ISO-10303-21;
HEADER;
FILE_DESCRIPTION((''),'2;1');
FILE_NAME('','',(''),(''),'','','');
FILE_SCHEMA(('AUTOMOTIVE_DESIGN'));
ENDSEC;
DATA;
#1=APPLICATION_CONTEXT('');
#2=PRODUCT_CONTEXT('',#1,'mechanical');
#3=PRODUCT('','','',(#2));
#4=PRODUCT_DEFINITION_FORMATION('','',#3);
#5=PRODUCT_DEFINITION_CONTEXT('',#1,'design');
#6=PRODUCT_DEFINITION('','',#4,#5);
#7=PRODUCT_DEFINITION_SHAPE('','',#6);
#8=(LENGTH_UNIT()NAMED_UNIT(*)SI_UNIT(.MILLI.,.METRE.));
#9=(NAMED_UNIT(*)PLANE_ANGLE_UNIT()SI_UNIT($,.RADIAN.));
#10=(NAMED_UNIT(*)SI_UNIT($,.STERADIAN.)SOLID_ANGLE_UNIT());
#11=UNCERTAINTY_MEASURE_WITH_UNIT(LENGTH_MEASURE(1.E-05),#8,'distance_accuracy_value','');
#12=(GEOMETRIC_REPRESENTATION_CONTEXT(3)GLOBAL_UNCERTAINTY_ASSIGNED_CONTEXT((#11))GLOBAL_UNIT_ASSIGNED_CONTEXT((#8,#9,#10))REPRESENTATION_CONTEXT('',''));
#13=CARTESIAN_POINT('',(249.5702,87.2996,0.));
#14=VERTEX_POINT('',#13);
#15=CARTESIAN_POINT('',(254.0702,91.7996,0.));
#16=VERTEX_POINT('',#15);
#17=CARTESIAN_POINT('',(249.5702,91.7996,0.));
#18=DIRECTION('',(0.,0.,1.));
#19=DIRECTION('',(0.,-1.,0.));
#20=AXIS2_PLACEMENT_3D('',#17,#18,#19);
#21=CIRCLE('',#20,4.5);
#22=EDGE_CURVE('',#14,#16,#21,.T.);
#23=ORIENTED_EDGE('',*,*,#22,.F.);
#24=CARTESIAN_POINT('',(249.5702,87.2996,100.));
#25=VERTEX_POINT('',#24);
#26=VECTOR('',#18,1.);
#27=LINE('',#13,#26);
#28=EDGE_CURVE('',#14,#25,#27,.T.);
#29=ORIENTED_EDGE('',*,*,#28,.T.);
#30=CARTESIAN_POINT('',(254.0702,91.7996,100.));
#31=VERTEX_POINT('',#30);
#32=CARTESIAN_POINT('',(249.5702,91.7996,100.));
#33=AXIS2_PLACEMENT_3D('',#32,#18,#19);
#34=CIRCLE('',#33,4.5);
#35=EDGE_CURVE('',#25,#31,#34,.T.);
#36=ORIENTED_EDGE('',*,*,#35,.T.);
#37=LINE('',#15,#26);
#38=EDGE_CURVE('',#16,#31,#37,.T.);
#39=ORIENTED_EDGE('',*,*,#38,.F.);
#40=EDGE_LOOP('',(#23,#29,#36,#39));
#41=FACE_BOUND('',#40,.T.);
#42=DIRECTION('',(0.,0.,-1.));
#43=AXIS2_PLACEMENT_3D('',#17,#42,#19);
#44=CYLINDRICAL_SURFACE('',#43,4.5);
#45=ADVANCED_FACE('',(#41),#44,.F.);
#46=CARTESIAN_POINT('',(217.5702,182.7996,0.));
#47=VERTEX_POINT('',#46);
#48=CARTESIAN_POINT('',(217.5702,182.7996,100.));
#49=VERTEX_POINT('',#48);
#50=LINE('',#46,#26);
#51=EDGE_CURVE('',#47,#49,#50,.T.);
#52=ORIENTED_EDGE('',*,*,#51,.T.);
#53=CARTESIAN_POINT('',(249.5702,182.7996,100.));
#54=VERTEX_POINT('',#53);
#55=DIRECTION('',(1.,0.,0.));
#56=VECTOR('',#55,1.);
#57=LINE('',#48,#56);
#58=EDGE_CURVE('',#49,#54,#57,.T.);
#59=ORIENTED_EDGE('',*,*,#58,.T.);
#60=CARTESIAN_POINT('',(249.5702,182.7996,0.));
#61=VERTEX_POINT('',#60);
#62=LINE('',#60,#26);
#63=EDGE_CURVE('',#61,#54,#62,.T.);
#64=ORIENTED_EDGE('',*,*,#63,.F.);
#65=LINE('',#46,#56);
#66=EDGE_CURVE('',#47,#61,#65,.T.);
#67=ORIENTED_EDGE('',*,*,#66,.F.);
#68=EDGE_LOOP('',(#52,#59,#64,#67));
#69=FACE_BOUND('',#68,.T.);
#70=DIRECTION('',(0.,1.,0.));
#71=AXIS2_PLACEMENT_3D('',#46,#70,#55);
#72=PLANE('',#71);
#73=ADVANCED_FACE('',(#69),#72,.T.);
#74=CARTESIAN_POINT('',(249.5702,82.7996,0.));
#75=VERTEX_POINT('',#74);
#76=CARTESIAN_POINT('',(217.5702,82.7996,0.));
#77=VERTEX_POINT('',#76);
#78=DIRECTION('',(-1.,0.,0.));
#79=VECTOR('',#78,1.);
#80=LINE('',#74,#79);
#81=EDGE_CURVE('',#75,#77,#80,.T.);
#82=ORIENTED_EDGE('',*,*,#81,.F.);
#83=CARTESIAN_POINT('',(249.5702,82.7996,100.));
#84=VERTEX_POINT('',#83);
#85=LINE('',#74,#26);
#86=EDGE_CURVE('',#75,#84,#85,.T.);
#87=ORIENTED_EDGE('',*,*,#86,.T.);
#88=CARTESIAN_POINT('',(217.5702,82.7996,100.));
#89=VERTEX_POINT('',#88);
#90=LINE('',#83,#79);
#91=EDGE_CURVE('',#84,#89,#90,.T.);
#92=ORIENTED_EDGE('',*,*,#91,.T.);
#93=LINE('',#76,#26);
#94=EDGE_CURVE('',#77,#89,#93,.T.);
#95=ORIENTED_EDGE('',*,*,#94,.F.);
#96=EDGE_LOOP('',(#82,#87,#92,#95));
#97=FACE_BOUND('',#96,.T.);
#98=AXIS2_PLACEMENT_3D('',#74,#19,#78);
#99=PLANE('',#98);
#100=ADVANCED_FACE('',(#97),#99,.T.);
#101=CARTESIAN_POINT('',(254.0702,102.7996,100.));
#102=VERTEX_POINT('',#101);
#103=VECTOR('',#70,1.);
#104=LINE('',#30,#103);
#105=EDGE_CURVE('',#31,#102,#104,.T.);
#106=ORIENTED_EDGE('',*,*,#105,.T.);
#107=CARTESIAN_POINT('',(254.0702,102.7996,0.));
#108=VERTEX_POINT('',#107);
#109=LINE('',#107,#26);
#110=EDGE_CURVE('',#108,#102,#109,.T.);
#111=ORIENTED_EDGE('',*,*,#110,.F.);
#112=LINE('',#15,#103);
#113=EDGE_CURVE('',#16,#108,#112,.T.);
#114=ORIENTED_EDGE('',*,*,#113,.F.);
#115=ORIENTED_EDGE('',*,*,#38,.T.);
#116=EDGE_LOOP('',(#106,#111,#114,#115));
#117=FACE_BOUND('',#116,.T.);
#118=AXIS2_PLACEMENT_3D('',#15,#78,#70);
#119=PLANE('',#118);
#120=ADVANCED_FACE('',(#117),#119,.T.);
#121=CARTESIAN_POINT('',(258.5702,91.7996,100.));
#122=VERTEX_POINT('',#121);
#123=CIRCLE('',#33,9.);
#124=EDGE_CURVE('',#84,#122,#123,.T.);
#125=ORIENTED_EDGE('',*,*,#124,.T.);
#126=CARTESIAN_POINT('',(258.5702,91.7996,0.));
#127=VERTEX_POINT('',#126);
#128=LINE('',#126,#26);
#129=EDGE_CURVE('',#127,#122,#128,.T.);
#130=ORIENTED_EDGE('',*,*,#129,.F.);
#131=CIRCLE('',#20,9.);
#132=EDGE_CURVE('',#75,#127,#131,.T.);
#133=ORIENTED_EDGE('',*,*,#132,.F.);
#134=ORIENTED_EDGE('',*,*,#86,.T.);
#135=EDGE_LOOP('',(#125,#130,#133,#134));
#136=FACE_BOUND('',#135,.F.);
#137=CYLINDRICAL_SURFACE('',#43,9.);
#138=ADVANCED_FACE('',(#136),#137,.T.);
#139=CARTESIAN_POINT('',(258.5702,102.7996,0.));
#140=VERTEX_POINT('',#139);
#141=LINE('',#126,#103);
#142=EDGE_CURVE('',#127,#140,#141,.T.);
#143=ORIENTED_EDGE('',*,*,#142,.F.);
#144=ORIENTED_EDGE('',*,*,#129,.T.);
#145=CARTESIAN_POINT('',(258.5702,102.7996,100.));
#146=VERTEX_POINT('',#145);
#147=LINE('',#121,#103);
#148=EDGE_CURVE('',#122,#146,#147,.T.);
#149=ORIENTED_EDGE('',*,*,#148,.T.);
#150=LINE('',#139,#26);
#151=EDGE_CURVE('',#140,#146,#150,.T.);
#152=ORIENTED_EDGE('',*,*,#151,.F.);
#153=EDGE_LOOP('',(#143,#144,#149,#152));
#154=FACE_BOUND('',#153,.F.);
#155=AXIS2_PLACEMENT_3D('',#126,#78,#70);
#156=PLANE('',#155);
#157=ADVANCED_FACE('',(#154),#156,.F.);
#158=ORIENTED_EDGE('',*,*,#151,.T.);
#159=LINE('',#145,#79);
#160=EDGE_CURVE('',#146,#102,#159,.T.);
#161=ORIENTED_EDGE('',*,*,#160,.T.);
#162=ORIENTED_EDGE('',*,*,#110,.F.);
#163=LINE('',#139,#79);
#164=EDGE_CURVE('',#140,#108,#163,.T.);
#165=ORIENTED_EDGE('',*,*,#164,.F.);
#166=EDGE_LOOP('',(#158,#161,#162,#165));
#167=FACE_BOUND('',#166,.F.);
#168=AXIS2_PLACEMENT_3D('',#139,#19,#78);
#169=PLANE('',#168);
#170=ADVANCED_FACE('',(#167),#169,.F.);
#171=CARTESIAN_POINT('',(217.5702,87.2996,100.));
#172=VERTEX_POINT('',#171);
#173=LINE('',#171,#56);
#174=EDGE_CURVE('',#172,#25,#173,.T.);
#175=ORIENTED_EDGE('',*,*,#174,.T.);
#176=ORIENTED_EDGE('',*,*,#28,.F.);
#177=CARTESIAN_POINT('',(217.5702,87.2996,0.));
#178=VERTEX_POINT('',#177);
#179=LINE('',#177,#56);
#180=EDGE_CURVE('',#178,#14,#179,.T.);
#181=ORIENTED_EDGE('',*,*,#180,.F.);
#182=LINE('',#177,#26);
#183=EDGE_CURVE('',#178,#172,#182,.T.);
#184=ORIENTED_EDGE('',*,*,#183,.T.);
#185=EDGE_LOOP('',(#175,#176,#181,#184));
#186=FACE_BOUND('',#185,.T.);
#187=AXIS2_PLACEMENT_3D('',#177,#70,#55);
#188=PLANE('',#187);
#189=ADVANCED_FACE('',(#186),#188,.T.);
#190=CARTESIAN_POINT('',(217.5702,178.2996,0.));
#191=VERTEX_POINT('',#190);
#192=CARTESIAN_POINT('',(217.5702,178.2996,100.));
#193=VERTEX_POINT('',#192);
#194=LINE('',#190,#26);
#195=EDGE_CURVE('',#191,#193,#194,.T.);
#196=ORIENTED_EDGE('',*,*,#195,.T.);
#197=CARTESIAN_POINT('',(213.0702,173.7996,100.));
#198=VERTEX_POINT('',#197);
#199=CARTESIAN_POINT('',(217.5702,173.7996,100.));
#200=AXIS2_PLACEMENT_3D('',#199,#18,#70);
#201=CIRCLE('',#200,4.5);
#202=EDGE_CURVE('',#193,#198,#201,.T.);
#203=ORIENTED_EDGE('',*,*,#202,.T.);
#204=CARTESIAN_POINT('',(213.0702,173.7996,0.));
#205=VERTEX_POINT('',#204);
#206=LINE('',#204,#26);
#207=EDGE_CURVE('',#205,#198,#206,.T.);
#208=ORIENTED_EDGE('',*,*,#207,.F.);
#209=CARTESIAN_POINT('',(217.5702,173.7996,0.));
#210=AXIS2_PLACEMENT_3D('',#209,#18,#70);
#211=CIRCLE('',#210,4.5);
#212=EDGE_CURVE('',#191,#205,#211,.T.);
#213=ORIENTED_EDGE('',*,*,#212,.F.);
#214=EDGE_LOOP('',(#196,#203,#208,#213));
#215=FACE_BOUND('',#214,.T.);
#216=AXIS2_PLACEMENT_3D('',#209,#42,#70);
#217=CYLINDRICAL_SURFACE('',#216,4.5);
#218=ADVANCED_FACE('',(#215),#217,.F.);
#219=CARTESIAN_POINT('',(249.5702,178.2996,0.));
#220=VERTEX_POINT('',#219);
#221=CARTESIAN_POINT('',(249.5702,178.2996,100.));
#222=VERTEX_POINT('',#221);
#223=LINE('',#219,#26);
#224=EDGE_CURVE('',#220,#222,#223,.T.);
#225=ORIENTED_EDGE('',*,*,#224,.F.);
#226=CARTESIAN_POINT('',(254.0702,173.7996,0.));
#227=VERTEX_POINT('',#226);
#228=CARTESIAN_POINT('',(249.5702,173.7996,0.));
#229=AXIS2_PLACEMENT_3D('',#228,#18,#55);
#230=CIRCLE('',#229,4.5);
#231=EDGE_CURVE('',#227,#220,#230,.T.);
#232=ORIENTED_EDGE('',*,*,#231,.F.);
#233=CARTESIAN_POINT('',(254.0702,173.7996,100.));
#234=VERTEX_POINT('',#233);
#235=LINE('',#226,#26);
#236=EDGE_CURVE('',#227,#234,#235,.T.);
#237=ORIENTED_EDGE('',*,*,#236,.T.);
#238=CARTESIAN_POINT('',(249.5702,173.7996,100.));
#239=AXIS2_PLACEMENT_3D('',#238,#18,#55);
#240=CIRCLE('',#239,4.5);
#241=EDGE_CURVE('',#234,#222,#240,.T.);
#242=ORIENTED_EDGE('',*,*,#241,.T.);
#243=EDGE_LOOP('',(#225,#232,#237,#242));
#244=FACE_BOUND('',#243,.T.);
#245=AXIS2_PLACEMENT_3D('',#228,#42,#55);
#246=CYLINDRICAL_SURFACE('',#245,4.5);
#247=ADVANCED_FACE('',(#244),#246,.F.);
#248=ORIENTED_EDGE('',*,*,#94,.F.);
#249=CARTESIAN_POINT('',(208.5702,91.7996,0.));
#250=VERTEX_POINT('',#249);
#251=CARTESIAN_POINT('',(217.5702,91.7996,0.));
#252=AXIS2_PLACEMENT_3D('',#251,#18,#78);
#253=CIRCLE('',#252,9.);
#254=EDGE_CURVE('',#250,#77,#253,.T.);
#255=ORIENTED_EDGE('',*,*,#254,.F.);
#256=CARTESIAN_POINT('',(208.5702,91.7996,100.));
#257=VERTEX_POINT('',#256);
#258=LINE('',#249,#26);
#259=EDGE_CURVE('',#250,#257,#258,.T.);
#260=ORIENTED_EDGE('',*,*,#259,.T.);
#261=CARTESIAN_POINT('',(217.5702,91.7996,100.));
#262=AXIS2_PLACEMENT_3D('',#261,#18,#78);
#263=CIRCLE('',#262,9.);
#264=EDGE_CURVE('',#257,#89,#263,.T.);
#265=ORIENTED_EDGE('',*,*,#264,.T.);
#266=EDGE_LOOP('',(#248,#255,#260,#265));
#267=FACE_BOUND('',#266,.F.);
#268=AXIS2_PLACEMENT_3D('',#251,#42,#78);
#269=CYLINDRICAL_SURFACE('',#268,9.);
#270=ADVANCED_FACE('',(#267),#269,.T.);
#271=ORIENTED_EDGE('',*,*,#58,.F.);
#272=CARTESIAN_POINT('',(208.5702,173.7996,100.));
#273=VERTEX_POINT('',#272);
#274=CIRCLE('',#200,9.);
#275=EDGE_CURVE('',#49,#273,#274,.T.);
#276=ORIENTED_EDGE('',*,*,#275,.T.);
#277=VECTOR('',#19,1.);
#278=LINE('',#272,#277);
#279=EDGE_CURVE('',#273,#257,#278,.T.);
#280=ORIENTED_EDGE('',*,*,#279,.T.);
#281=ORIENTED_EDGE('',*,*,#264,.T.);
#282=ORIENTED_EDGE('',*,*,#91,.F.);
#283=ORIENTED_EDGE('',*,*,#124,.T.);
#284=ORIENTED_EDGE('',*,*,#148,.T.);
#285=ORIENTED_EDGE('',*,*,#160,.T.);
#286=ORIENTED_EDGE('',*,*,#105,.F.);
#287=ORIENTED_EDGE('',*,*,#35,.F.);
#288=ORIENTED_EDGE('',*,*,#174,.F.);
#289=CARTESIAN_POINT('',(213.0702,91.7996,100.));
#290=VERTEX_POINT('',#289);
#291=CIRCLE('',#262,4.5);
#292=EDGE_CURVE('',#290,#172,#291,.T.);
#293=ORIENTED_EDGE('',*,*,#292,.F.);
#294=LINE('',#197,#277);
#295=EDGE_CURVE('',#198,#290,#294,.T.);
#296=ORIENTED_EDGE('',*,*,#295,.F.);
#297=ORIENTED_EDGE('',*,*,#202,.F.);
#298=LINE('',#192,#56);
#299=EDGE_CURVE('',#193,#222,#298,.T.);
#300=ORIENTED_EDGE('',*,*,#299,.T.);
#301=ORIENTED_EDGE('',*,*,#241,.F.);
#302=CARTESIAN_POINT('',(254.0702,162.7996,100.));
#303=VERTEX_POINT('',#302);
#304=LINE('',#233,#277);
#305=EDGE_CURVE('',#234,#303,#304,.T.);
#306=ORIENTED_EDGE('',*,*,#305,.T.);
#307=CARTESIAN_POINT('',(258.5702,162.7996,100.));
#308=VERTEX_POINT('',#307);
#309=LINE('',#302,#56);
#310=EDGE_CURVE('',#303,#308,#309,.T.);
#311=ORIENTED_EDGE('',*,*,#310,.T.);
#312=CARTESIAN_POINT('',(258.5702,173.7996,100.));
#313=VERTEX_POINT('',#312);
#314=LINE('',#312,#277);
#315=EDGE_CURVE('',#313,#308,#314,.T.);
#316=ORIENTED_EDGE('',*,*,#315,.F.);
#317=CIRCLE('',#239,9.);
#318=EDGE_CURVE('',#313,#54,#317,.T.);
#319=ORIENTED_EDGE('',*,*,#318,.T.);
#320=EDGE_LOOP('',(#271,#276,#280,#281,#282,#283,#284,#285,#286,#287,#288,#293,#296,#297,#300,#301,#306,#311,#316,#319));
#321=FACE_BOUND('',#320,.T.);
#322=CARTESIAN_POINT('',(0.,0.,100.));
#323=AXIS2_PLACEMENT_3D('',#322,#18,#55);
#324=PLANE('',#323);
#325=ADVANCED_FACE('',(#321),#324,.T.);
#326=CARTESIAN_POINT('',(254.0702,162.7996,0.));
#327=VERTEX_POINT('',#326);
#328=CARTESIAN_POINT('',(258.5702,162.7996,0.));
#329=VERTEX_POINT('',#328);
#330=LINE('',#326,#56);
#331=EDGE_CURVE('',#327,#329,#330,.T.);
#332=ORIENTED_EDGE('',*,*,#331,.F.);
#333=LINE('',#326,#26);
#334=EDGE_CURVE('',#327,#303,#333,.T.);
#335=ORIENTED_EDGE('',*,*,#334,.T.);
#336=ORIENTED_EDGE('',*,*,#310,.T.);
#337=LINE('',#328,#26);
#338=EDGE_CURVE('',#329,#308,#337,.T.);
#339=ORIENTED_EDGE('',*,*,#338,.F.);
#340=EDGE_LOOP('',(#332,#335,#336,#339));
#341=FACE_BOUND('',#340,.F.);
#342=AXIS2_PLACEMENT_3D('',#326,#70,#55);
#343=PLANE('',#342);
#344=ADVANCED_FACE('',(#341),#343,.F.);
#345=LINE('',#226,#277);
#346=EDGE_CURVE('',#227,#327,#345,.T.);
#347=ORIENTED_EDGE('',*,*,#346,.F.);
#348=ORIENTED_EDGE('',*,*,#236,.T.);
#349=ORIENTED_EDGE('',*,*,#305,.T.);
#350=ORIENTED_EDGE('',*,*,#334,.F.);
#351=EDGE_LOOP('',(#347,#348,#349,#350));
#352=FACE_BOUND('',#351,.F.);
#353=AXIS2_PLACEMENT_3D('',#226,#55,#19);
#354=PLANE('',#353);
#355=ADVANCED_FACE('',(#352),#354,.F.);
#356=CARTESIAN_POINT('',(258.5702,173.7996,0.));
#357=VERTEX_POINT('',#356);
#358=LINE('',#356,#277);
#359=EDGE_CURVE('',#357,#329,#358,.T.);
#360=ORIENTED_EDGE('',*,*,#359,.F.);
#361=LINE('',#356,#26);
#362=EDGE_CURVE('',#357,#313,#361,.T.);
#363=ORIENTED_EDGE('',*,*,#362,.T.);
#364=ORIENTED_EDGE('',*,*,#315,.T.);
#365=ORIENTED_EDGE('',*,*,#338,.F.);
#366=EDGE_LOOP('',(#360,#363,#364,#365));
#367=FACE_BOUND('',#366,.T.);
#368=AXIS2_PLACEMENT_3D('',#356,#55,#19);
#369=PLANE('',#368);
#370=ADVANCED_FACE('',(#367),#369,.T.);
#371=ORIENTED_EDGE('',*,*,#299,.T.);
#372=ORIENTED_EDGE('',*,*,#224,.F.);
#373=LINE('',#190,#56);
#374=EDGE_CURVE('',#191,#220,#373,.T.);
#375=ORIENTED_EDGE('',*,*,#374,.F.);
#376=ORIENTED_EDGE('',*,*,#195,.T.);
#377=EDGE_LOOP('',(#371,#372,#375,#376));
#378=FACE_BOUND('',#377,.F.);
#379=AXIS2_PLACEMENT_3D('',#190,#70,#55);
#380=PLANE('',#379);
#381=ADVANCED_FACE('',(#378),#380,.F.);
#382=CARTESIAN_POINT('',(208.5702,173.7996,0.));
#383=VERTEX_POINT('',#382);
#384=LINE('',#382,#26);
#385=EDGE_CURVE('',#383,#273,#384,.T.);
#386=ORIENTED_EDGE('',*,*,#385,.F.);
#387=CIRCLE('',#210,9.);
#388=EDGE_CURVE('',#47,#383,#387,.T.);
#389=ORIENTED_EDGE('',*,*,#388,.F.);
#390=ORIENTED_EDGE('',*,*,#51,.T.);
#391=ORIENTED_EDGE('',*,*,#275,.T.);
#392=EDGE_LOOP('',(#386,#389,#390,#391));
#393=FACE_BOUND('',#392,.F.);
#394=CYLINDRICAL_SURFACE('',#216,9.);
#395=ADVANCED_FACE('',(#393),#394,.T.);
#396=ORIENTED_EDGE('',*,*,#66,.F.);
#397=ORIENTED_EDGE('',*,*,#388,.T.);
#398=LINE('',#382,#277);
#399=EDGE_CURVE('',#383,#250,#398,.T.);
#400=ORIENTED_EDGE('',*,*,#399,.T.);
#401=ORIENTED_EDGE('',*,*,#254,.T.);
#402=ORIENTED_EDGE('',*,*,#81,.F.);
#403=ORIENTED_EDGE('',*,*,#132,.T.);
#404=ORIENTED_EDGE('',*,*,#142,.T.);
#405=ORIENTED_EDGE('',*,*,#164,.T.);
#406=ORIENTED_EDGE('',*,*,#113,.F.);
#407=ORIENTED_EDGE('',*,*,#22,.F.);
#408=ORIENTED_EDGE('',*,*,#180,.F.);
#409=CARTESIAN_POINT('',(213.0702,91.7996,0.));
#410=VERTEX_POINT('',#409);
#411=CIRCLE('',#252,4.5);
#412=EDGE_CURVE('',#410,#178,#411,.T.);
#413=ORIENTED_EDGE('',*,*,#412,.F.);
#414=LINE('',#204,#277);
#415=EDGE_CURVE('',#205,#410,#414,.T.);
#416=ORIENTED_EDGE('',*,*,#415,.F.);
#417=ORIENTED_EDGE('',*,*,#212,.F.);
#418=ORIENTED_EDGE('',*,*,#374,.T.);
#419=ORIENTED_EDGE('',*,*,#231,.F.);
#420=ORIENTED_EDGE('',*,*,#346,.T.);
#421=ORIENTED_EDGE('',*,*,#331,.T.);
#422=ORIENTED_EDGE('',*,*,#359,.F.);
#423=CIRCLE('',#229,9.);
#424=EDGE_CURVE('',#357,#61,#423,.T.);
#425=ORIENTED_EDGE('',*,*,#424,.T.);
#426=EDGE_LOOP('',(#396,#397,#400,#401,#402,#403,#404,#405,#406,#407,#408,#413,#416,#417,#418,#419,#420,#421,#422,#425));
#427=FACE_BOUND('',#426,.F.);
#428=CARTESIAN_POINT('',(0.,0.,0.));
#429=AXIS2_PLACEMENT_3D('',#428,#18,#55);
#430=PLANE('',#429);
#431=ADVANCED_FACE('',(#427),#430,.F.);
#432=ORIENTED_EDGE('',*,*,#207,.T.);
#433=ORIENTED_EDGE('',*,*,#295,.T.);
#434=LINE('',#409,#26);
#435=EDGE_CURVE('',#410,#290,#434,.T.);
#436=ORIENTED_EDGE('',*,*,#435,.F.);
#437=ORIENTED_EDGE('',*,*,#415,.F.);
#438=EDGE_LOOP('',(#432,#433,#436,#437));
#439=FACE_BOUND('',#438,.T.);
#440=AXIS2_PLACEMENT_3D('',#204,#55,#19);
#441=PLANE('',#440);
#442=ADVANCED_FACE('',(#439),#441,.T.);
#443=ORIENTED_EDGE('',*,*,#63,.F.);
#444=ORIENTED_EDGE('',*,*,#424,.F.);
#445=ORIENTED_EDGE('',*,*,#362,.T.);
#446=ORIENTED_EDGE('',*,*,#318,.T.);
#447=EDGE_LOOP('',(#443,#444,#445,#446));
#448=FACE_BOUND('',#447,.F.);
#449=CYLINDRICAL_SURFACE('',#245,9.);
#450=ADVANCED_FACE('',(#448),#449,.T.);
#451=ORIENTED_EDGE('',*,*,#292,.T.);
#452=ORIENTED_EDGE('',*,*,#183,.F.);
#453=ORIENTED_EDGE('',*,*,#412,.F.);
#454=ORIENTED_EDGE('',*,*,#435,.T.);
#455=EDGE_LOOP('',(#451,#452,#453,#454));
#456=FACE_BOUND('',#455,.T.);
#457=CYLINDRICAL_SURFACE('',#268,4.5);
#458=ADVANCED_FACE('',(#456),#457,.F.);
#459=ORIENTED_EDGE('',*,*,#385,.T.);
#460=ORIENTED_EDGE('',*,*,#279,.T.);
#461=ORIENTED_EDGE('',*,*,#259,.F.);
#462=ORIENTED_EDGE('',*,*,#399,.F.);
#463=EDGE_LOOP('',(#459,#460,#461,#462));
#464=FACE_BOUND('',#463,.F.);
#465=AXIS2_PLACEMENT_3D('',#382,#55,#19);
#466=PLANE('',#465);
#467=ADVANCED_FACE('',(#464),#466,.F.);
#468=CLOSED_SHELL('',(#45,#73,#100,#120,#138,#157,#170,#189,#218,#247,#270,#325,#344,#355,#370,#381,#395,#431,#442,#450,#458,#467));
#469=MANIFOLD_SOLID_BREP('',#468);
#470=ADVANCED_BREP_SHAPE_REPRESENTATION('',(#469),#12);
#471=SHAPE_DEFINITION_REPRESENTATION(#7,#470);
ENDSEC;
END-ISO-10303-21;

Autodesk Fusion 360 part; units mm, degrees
sketch "スケッチ1" plane through (0, 0, 0) normal (0, 0, 1) x (1, 0, 0)
  line L0 (213.0702, 173.7996) -> (213.0702, 91.7996)
  line L1 (208.5702, 173.7996) -> (208.5702, 91.7996)
  arc A0 (249.5702, 82.7996) -> (258.5702, 91.7996) centre (249.5702, 91.7996) ccw
  arc A1 (249.5702, 87.2996) -> (254.0702, 91.7996) centre (249.5702, 91.7996) ccw
  line L2 (249.5702, 82.7996) -> (217.5702, 82.7996)
  line L3 (217.5702, 87.2996) -> (249.5702, 87.2996)
  arc A2 (208.5702, 91.7996) -> (217.5702, 82.7996) centre (217.5702, 91.7996) ccw
  arc A3 (213.0702, 91.7996) -> (217.5702, 87.2996) centre (217.5702, 91.7996) ccw
  line L4 (254.0702, 91.7996) -> (254.0702, 102.7996)
  line L5 (258.5702, 91.7996) -> (258.5702, 102.7996)
  line L6 (258.5702, 102.7996) -> (254.0702, 102.7996)
  arc A4 (258.5702, 173.7996) -> (249.5702, 182.7996) centre (249.5702, 173.7996) ccw
  arc A5 (254.0702, 173.7996) -> (249.5702, 178.2996) centre (249.5702, 173.7996) ccw
  arc A6 (217.5702, 182.7996) -> (208.5702, 173.7996) centre (217.5702, 173.7996) ccw
  arc A7 (217.5702, 178.2996) -> (213.0702, 173.7996) centre (217.5702, 173.7996) ccw
  line L7 (217.5702, 178.2996) -> (249.5702, 178.2996)
  line L8 (217.5702, 182.7996) -> (249.5702, 182.7996)
  line L9 (258.5702, 173.7996) -> (258.5702, 162.7996)
  line L10 (254.0702, 173.7996) -> (254.0702, 162.7996)
  line L11 (254.0702, 162.7996) -> (258.5702, 162.7996)
  point P0 (208.5702, 182.7996)
extrude "押し出し1" add sketch "スケッチ1" along normal blind 100
